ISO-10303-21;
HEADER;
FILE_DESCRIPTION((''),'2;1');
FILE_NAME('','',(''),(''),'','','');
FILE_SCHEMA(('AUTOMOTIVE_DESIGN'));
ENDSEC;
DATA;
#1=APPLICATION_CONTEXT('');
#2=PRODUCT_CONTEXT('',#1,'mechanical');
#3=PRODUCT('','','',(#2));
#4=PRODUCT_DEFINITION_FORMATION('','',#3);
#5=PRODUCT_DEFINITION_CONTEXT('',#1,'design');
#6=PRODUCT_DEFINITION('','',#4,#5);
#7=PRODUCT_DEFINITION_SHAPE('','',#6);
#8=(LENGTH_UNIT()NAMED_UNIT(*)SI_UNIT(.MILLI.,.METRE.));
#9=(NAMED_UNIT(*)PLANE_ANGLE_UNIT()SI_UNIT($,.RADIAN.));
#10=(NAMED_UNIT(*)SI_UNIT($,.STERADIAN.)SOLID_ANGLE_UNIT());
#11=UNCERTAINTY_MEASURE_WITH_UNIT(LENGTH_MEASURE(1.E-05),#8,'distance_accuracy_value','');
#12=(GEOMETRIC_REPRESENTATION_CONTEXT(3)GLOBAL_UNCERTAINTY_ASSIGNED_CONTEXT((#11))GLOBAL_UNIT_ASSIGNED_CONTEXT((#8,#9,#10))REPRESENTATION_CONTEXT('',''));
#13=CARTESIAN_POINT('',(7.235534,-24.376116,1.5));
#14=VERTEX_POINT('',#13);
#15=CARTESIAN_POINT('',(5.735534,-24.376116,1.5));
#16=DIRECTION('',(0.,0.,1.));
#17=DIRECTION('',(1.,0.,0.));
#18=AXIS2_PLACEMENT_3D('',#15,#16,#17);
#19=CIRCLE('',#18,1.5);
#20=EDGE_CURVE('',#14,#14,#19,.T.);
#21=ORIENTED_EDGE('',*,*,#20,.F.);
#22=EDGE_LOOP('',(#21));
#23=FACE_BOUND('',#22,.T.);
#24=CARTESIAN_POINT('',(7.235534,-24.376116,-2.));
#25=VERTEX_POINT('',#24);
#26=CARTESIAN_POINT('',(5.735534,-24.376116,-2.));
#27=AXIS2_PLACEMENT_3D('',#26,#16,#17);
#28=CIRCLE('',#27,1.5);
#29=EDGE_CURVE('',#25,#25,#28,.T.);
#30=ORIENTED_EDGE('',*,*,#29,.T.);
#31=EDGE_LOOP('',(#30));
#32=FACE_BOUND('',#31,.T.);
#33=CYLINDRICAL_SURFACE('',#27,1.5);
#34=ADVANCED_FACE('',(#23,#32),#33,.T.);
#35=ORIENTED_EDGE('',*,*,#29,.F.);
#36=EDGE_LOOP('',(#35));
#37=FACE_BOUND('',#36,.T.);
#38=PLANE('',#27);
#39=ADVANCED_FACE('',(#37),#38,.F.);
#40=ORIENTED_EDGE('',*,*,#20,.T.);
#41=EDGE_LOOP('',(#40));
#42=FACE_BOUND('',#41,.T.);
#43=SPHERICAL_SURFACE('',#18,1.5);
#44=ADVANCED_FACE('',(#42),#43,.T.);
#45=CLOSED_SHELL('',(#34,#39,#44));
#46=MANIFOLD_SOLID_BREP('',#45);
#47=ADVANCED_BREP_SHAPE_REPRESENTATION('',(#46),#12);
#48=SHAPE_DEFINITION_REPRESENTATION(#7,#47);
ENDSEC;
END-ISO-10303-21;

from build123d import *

# Parameters (mm, degrees)
BOSS_EXTRU_1_DEPTH      = 1.5
BOSS_EXTRU_1_DEPTH_BACK = 2
ESQUISSE1_R             = 1.5
R_VOLUTION1_ANGLE       = 180


with BuildPart() as part:
    # Esquisse1 → Boss.-Extru.1 (new, two sides: drawn at the far end of the back side and taken through both)
    with BuildSketch(Plane.XY.offset(-BOSS_EXTRU_1_DEPTH_BACK)):
        with Locations((5.735533906, -24.376115769)):
            Circle(ESQUISSE1_R)
    extrude(amount=BOSS_EXTRU_1_DEPTH + BOSS_EXTRU_1_DEPTH_BACK)

    # Esquisse2 → Révolution1 (revolve)
    with BuildSketch(Plane.XY.offset(1.5)):
        with BuildLine():
            Line((5.735533906, -25.876115769), (5.735533906, -22.876115769))
            ThreePointArc((5.735533906, -22.876115769), (4.235533906, -24.376115769), (5.735533906, -25.876115769))
        make_face()
    revolve(axis=Axis((5.735533906, -25.876115769, 1.5), (0, 1, 0)), revolution_arc=R_VOLUTION1_ANGLE)


solid = part.part
